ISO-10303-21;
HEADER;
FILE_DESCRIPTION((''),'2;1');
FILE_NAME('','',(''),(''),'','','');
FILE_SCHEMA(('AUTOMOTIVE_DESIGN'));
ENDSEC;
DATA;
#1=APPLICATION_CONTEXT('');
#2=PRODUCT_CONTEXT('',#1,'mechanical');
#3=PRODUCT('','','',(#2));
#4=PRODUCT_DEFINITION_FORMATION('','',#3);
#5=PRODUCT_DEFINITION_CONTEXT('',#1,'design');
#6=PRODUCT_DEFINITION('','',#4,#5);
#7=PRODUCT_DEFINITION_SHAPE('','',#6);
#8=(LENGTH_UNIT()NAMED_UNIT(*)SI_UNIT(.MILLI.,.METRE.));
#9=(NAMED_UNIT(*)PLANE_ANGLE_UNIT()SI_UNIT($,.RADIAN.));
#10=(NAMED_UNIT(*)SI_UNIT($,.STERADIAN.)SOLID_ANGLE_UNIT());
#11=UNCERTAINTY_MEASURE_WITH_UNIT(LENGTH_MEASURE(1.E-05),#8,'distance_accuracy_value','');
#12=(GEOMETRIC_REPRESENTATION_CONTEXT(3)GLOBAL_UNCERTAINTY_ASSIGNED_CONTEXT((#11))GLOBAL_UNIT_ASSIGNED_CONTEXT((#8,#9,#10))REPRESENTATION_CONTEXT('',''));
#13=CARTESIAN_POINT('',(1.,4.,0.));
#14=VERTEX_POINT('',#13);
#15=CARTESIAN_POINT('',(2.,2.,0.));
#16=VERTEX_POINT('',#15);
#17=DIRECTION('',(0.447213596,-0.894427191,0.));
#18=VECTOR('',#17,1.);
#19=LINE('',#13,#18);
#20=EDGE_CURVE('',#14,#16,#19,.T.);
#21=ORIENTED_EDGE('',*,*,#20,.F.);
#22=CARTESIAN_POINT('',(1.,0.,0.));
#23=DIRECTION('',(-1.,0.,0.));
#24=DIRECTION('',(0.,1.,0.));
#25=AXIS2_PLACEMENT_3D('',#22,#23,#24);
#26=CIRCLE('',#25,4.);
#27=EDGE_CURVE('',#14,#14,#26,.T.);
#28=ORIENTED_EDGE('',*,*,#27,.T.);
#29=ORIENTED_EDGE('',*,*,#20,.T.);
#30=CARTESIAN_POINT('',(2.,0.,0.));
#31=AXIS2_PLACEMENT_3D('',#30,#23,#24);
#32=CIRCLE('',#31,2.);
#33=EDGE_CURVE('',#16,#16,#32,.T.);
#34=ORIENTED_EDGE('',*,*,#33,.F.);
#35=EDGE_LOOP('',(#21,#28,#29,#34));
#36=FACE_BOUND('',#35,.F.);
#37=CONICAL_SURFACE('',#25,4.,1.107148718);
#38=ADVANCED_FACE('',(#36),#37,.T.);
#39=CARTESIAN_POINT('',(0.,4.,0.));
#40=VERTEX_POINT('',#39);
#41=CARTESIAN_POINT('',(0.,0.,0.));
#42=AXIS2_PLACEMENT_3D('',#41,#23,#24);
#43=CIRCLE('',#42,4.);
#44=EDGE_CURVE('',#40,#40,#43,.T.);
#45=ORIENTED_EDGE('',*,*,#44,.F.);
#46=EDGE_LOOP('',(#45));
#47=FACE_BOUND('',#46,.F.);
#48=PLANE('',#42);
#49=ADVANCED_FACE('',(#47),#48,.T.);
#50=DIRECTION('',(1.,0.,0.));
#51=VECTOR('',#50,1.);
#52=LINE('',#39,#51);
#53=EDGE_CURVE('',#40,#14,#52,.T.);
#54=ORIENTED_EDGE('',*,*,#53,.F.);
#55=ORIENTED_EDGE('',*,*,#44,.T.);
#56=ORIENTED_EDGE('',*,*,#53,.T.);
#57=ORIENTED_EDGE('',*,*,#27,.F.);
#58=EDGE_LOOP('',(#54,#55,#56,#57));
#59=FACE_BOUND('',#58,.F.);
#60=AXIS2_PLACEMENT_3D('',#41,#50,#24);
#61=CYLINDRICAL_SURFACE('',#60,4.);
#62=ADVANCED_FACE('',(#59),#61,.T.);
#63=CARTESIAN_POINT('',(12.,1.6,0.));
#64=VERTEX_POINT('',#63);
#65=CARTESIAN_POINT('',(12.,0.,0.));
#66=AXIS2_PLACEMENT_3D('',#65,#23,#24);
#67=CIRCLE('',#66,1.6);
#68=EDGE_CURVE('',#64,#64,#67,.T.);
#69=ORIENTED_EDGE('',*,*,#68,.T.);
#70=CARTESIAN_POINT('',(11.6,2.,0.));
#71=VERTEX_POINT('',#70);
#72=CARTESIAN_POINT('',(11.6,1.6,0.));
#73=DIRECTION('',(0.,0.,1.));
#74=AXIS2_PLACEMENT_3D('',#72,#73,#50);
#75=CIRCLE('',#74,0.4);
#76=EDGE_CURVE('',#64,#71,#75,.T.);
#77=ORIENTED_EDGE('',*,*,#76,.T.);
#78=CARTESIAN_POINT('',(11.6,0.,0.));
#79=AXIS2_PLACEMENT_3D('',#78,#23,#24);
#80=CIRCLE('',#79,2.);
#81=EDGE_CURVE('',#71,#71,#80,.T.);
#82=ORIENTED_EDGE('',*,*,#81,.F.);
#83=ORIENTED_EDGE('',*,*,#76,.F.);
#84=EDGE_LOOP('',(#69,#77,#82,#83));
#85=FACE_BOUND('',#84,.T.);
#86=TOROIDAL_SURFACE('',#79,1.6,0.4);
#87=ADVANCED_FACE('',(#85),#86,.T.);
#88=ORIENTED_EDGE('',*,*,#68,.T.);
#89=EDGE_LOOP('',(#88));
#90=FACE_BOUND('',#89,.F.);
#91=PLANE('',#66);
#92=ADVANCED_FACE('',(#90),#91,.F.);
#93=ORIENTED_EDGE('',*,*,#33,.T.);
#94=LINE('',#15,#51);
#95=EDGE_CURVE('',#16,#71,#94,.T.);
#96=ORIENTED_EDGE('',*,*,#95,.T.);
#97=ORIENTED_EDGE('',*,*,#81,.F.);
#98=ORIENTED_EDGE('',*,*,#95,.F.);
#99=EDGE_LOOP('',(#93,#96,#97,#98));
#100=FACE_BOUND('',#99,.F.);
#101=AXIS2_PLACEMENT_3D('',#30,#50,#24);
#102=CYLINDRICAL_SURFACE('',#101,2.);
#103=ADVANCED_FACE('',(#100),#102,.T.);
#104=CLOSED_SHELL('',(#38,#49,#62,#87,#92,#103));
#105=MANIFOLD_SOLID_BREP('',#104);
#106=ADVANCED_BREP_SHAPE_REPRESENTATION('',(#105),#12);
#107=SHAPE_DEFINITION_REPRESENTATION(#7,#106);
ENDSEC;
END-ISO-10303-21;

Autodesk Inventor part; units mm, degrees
ref_plane "YZ Plane" through (0, 0, 0) normal (1, 0, 0) x (0, 1, 0)
ref_plane "XZ Plane" through (0, 0, 0) normal (0, 1, 0) x (-1, 0, 0)
ref_plane "XY Plane" through (0, 0, 0) normal (0, 0, 1) x (1, 0, 0)
sketch "Эскиз1" plane through (0, 0, 0) normal (0, 0, 1) x (1, 0, 0)
  line L0 (0, 0) -> (0, 4)
  line L1 (0, 4) -> (1, 4)
  line L2 (1, 4) -> (2, 2)
  line L3 (2, 2) -> (11.6, 2)
  line L4 (12, 1.6) -> (12, 0)
  line L5 (12, 0) -> (0, 0)
  arc A0 (12, 1.6) -> (11.6, 2) centre (11.6, 1.6) ccw
  point P0 (12, 2)
  dimension "d0" = 4
  dimension "d1" = 1
  dimension "d2" = 2
  dimension "d3" = 2
  dimension "d7" = 12
  dimension "d9" = 0.4
revolve "Вращение1" add sketch "Эскиз1" angle 360 about axis through (12, 0, 0) along (-1, 0, 0)
properties part number "Гвоздик 4х12 мм"
